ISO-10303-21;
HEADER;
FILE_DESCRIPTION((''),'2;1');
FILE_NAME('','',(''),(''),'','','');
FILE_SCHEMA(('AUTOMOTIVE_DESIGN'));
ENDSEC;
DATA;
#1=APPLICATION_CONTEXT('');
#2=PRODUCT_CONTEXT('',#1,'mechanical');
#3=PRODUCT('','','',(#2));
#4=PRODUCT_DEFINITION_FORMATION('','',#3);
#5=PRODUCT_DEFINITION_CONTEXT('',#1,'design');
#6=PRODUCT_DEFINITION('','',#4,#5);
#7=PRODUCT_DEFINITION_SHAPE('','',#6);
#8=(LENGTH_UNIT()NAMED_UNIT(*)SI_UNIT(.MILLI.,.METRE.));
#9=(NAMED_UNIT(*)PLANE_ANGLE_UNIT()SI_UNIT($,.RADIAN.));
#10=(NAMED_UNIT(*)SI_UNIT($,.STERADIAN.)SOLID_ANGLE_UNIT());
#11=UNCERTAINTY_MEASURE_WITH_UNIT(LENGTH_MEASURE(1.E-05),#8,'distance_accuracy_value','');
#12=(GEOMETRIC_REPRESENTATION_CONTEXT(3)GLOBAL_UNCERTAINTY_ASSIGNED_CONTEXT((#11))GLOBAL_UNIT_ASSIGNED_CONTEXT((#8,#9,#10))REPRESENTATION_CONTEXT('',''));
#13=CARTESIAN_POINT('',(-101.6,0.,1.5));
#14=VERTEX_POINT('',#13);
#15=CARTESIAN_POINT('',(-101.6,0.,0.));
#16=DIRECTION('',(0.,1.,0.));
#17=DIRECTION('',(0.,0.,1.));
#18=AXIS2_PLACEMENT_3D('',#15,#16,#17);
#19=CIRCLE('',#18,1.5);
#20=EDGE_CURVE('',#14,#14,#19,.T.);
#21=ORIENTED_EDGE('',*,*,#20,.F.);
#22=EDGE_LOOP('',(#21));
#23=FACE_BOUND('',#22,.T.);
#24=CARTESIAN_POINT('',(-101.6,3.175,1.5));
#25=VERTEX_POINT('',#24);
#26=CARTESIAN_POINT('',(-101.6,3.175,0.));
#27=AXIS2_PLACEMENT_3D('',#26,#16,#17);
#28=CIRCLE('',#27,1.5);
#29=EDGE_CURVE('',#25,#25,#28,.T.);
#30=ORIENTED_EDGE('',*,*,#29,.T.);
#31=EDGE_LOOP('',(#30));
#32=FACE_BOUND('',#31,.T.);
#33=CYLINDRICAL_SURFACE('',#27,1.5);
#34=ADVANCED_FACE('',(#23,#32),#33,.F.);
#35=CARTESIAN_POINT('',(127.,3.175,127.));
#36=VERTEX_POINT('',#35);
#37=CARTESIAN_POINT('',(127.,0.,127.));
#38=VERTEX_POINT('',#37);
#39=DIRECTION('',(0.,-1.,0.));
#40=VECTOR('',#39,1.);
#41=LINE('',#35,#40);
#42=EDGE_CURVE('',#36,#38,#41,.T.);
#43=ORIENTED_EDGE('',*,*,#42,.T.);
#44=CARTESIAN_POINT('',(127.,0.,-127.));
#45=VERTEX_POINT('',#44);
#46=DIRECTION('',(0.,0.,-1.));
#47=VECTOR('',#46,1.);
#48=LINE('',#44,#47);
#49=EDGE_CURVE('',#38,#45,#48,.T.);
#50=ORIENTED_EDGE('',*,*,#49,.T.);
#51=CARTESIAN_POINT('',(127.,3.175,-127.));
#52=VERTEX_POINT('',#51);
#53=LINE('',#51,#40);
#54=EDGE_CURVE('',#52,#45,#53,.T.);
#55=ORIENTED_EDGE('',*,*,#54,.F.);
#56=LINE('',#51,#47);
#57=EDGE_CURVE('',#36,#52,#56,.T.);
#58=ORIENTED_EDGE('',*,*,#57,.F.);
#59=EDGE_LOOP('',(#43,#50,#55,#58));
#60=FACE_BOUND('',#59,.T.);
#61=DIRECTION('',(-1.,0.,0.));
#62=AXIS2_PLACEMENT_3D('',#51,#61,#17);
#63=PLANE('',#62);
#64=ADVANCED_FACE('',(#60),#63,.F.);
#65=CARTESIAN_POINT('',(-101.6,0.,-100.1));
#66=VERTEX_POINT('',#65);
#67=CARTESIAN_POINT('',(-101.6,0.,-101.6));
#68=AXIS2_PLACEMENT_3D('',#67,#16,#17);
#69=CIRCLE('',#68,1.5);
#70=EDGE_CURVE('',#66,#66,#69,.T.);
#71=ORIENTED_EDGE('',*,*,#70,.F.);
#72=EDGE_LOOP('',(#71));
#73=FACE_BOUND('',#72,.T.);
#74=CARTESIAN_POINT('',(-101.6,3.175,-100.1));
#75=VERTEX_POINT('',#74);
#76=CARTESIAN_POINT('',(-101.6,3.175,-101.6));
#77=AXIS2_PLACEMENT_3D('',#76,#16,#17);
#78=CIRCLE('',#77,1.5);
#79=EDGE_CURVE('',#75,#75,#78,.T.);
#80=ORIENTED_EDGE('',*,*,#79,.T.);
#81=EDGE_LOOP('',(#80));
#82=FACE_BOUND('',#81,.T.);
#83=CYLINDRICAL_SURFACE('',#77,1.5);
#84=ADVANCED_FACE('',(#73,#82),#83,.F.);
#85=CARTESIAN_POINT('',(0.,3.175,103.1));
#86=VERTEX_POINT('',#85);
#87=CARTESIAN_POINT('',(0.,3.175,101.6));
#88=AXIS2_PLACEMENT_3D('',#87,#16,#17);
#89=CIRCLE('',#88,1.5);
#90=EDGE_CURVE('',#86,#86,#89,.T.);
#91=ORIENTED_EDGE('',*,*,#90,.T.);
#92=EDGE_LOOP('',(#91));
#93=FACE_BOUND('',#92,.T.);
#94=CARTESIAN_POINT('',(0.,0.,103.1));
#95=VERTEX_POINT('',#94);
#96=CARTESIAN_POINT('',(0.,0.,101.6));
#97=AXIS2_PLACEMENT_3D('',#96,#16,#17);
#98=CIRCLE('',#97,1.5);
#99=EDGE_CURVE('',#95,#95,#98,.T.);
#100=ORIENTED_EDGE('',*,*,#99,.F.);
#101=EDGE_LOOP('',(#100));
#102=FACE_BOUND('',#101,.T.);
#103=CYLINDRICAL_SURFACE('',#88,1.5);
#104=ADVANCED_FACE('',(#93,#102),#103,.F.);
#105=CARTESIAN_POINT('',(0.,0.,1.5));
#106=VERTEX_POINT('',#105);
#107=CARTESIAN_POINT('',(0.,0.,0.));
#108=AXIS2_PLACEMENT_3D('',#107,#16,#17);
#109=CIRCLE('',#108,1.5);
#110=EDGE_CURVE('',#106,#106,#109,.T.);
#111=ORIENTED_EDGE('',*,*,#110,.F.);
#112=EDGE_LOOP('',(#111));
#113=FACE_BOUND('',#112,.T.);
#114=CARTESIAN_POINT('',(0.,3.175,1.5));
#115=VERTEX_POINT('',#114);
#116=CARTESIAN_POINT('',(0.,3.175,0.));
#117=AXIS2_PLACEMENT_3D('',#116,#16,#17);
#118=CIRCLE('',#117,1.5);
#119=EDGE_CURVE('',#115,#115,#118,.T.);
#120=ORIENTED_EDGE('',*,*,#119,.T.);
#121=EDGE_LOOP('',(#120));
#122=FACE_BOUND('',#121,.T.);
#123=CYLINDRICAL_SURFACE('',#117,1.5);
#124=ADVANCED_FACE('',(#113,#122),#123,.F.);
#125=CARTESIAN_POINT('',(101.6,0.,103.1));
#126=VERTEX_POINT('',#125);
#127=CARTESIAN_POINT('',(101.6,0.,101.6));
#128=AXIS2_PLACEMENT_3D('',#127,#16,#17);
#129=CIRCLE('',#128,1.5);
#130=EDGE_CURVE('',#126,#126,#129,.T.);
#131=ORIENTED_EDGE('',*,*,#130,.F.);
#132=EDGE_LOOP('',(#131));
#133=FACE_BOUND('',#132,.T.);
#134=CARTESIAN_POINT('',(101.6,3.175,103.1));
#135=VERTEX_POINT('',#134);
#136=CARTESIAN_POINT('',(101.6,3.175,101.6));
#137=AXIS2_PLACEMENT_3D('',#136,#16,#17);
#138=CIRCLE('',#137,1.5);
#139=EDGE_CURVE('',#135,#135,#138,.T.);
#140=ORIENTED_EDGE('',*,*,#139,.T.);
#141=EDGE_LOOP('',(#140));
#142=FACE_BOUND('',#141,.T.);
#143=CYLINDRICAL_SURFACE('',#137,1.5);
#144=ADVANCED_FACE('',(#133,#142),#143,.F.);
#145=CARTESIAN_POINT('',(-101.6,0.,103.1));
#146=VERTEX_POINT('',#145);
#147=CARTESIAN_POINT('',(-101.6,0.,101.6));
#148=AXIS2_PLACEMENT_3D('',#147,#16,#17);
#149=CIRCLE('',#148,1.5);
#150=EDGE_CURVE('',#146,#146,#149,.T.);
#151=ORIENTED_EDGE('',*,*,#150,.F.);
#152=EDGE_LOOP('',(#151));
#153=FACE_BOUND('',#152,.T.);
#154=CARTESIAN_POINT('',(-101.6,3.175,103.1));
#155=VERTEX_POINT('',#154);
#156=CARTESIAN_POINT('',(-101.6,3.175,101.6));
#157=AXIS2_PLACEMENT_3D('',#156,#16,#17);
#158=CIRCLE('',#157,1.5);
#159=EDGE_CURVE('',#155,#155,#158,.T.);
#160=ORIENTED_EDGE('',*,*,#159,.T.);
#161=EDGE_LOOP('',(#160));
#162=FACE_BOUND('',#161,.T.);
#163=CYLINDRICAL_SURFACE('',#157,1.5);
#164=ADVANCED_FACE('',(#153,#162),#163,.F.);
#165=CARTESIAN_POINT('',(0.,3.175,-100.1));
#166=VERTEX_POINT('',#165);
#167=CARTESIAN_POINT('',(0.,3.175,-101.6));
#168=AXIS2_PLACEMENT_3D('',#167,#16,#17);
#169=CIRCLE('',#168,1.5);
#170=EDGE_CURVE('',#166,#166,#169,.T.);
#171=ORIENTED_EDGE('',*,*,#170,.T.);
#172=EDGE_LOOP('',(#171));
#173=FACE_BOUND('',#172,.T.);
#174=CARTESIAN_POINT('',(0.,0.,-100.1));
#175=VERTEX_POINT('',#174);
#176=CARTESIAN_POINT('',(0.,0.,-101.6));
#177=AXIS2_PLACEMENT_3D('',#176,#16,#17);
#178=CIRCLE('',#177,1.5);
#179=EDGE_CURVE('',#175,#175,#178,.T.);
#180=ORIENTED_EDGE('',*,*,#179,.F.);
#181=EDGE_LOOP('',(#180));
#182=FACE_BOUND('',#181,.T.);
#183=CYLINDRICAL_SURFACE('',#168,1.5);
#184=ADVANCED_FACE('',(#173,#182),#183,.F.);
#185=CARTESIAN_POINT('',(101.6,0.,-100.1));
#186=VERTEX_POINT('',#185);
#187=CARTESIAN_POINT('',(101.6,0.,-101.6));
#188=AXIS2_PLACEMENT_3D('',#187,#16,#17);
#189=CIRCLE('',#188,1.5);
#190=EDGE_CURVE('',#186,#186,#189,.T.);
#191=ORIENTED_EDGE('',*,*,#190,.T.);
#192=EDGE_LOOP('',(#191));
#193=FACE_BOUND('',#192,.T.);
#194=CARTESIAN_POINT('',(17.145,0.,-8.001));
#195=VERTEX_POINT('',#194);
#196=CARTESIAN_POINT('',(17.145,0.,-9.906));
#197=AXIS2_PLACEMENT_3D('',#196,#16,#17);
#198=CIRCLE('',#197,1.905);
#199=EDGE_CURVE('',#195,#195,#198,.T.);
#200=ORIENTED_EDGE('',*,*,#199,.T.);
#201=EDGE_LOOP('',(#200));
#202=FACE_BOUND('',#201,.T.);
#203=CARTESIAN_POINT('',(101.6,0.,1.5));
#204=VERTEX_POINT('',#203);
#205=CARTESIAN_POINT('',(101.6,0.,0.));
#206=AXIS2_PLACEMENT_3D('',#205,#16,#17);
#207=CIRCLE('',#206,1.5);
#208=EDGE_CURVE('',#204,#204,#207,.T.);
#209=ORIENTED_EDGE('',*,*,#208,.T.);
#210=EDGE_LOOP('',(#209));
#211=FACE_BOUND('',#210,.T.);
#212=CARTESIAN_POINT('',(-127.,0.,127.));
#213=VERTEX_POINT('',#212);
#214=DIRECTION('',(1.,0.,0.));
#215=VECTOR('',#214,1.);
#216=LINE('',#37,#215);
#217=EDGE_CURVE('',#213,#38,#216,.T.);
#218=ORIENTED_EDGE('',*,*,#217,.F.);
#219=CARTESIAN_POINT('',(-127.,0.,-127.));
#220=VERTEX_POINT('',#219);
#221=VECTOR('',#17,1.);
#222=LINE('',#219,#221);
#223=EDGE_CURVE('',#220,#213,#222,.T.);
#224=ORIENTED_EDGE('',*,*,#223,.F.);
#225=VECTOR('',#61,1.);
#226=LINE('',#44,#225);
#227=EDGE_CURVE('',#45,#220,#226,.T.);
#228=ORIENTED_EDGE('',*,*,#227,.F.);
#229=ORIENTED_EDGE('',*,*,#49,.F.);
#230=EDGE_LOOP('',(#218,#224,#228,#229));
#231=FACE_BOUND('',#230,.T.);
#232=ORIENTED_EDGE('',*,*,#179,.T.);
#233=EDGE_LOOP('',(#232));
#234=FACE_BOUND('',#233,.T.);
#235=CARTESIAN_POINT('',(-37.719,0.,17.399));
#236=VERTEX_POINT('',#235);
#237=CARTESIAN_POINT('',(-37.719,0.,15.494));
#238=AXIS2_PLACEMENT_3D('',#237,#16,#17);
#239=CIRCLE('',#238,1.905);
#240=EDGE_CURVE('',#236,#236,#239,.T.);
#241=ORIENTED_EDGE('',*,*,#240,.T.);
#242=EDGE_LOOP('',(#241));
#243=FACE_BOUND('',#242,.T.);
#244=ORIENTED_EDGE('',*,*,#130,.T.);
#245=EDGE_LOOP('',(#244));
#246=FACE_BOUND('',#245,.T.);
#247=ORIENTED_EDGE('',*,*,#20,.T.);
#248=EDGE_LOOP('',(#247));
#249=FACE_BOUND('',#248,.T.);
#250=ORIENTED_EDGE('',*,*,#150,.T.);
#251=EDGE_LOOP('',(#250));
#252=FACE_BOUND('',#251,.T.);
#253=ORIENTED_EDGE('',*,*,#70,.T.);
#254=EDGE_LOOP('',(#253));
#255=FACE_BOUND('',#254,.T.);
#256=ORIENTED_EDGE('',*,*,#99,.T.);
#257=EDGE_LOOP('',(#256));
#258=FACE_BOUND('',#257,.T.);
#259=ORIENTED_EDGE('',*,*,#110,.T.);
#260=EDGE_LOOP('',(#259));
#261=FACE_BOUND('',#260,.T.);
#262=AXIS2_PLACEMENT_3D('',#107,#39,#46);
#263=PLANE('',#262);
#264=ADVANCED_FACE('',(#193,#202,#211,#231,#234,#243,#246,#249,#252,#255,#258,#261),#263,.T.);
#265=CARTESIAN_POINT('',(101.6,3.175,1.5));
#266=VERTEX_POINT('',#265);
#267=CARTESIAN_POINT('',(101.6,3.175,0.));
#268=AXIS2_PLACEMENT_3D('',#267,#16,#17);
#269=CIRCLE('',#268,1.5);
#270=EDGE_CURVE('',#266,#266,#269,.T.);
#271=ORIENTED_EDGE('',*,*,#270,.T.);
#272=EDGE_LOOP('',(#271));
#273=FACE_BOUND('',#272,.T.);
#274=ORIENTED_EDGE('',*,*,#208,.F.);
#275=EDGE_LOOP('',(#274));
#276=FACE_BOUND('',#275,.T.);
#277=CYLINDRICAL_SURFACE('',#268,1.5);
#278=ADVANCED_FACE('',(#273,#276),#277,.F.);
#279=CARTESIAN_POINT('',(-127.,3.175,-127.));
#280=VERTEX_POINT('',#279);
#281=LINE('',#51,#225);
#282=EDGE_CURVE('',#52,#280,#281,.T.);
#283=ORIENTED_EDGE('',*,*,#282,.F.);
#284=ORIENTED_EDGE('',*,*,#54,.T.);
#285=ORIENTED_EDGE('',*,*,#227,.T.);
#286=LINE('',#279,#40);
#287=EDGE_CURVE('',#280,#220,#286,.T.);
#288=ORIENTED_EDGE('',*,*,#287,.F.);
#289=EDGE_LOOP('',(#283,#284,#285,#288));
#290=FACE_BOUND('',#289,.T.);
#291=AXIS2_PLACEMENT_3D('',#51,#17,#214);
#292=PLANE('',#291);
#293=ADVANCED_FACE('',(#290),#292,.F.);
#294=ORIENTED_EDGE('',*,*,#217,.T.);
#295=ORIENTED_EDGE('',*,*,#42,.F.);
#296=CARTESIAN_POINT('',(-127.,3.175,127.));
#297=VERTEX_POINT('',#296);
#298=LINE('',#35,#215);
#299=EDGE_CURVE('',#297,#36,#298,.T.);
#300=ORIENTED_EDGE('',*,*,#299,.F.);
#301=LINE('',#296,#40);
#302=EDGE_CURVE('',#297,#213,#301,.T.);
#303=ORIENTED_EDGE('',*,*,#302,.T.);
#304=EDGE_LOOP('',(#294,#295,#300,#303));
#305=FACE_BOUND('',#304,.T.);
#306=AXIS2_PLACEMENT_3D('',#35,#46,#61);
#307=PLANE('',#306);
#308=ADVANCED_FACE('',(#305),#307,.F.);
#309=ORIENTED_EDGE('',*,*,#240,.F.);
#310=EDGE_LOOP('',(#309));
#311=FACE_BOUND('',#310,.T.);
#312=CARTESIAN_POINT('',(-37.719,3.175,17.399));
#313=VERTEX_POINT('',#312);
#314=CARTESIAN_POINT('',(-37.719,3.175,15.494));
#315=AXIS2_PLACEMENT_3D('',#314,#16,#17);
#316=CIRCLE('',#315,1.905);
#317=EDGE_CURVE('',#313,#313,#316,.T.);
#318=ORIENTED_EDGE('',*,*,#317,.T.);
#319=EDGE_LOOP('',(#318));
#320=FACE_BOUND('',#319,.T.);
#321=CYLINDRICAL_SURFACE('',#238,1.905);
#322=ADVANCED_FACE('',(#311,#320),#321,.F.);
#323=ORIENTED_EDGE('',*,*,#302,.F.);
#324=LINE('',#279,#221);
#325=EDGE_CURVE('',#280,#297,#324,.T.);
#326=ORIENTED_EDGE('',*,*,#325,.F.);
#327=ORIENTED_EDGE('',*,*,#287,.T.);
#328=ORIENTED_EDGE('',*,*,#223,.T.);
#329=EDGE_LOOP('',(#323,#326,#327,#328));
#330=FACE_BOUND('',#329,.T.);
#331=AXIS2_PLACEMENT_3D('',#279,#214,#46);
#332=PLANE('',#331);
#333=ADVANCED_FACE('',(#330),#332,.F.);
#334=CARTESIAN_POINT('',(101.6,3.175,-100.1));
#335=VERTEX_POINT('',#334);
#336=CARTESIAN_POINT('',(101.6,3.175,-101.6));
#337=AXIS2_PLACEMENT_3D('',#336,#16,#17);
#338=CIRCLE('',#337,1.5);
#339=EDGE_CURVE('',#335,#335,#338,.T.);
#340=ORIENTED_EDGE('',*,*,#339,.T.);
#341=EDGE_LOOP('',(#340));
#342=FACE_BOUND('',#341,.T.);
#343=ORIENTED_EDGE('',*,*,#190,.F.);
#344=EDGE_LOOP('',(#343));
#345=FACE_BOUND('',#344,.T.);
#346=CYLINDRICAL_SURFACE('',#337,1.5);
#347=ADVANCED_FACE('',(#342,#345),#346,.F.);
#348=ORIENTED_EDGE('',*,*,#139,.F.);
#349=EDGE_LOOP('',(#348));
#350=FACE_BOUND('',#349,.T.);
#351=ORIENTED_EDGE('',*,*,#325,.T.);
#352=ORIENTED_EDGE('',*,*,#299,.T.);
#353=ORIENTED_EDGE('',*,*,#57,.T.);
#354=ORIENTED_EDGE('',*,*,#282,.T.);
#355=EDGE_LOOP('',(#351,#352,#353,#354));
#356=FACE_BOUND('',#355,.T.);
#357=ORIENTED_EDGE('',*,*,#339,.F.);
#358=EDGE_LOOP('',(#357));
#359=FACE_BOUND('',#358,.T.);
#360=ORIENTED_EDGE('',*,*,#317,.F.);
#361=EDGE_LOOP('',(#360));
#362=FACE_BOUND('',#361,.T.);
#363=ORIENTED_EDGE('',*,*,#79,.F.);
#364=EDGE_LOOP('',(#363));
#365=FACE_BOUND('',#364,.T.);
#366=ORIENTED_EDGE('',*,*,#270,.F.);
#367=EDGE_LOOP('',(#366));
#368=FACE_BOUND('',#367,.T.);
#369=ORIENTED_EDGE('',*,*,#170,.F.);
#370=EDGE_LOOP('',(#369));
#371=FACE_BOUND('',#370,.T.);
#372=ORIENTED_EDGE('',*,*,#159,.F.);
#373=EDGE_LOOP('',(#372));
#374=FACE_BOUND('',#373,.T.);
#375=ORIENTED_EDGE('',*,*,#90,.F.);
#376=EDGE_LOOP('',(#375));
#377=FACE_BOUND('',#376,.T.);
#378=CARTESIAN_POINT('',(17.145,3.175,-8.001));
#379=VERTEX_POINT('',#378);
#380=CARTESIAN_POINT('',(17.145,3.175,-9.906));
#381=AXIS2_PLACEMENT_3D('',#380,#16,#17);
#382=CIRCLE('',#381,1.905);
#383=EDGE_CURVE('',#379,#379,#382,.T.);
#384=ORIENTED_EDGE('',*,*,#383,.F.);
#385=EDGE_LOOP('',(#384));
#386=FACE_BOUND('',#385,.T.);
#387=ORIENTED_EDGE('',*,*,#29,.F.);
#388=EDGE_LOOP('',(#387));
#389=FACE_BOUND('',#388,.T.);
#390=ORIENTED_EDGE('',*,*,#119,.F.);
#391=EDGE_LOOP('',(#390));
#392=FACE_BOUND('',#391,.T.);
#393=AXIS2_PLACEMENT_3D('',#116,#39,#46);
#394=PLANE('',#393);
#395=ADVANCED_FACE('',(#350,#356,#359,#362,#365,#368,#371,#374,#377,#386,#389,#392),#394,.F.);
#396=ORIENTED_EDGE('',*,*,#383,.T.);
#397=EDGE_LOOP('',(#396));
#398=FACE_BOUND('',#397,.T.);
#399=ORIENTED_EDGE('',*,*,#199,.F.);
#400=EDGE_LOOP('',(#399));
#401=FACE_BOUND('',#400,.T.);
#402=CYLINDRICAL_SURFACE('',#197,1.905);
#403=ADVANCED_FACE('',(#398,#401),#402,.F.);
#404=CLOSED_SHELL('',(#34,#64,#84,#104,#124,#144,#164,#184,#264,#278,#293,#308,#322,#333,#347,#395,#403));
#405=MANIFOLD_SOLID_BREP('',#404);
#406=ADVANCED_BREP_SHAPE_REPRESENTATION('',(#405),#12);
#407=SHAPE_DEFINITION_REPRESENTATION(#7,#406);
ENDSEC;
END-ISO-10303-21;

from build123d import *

# Parameters (mm, degrees)
SKETCH1_W             = 254
SKETCH1_H             = 254
BOSS_EXTRUDE1_DEPTH   = 3.175
F_3_0MM_DOWEL_HOLE1_D = 3
CUT_EXTRUDE1_DEPTH    = 180.63318353


with BuildPart() as part:
    # Sketch1 → Boss-Extrude1 (new body)
    with BuildSketch(Plane(origin=(0, 0, 0), x_dir=(1, 0, 0), z_dir=(0, 1, 0))):
        Rectangle(SKETCH1_W, SKETCH1_H)
    extrude(amount=BOSS_EXTRUDE1_DEPTH)

    # Ø3.0mm Dowel Hole1 (through all)
    with Locations(Plane.ZX.offset(3.175)):
        with Locations((0, 0), (0, -101.6), (0, 101.6), (101.6, 101.6), (101.6, 0), (101.6, -101.6), (-101.6, -101.6), (-101.6, 0), (-101.6, 101.6)):
            Hole(F_3_0MM_DOWEL_HOLE1_D / 2)

    # Sketch5 → Cut-Extrude1 (cut, through all)
    with BuildSketch(Plane(origin=(0, 3.175, 0), x_dir=(1, 0, 0), z_dir=(0, 1, 0))):
        with BuildLine():
            ThreePointArc((17.145, 11.811), (15.24, 9.906), (17.145, 8.001))
            Line((17.145, 8.001), (17.145, 9.906))
            Line((17.145, 9.906), (17.145, 11.811))
        make_face()
        with BuildLine():
            Line((17.145, 9.906), (17.145, 8.001))
            ThreePointArc((17.145, 8.001), (18.492038418, 8.558961582), (19.05, 9.906))
            Line((19.05, 9.906), (17.145, 9.906))
        make_face()
        with BuildLine():
            Line((17.145, 11.811), (17.145, 9.906))
            Line((17.145, 9.906), (19.05, 9.906))
            ThreePointArc((19.05, 9.906), (18.492038418, 11.253038418), (17.145, 11.811))
        make_face()
        with BuildLine():
            ThreePointArc((-39.624, -15.494), (-39.066038418, -16.841038418), (-37.719, -17.399))
            Line((-37.719, -17.399), (-37.719, -15.494))
            Line((-37.719, -15.494), (-39.624, -15.494))
        make_face()
        with BuildLine():
            Line((-37.719, -15.494), (-37.719, -17.399))
            ThreePointArc((-37.719, -17.399), (-36.371961582, -16.841038418), (-35.814, -15.494))
            ThreePointArc((-35.814, -15.494), (-37.719, -13.589), (-39.624, -15.494))
            Line((-39.624, -15.494), (-37.719, -15.494))
        make_face()
    extrude(amount=-CUT_EXTRUDE1_DEPTH, mode=Mode.SUBTRACT)


solid = part.part
